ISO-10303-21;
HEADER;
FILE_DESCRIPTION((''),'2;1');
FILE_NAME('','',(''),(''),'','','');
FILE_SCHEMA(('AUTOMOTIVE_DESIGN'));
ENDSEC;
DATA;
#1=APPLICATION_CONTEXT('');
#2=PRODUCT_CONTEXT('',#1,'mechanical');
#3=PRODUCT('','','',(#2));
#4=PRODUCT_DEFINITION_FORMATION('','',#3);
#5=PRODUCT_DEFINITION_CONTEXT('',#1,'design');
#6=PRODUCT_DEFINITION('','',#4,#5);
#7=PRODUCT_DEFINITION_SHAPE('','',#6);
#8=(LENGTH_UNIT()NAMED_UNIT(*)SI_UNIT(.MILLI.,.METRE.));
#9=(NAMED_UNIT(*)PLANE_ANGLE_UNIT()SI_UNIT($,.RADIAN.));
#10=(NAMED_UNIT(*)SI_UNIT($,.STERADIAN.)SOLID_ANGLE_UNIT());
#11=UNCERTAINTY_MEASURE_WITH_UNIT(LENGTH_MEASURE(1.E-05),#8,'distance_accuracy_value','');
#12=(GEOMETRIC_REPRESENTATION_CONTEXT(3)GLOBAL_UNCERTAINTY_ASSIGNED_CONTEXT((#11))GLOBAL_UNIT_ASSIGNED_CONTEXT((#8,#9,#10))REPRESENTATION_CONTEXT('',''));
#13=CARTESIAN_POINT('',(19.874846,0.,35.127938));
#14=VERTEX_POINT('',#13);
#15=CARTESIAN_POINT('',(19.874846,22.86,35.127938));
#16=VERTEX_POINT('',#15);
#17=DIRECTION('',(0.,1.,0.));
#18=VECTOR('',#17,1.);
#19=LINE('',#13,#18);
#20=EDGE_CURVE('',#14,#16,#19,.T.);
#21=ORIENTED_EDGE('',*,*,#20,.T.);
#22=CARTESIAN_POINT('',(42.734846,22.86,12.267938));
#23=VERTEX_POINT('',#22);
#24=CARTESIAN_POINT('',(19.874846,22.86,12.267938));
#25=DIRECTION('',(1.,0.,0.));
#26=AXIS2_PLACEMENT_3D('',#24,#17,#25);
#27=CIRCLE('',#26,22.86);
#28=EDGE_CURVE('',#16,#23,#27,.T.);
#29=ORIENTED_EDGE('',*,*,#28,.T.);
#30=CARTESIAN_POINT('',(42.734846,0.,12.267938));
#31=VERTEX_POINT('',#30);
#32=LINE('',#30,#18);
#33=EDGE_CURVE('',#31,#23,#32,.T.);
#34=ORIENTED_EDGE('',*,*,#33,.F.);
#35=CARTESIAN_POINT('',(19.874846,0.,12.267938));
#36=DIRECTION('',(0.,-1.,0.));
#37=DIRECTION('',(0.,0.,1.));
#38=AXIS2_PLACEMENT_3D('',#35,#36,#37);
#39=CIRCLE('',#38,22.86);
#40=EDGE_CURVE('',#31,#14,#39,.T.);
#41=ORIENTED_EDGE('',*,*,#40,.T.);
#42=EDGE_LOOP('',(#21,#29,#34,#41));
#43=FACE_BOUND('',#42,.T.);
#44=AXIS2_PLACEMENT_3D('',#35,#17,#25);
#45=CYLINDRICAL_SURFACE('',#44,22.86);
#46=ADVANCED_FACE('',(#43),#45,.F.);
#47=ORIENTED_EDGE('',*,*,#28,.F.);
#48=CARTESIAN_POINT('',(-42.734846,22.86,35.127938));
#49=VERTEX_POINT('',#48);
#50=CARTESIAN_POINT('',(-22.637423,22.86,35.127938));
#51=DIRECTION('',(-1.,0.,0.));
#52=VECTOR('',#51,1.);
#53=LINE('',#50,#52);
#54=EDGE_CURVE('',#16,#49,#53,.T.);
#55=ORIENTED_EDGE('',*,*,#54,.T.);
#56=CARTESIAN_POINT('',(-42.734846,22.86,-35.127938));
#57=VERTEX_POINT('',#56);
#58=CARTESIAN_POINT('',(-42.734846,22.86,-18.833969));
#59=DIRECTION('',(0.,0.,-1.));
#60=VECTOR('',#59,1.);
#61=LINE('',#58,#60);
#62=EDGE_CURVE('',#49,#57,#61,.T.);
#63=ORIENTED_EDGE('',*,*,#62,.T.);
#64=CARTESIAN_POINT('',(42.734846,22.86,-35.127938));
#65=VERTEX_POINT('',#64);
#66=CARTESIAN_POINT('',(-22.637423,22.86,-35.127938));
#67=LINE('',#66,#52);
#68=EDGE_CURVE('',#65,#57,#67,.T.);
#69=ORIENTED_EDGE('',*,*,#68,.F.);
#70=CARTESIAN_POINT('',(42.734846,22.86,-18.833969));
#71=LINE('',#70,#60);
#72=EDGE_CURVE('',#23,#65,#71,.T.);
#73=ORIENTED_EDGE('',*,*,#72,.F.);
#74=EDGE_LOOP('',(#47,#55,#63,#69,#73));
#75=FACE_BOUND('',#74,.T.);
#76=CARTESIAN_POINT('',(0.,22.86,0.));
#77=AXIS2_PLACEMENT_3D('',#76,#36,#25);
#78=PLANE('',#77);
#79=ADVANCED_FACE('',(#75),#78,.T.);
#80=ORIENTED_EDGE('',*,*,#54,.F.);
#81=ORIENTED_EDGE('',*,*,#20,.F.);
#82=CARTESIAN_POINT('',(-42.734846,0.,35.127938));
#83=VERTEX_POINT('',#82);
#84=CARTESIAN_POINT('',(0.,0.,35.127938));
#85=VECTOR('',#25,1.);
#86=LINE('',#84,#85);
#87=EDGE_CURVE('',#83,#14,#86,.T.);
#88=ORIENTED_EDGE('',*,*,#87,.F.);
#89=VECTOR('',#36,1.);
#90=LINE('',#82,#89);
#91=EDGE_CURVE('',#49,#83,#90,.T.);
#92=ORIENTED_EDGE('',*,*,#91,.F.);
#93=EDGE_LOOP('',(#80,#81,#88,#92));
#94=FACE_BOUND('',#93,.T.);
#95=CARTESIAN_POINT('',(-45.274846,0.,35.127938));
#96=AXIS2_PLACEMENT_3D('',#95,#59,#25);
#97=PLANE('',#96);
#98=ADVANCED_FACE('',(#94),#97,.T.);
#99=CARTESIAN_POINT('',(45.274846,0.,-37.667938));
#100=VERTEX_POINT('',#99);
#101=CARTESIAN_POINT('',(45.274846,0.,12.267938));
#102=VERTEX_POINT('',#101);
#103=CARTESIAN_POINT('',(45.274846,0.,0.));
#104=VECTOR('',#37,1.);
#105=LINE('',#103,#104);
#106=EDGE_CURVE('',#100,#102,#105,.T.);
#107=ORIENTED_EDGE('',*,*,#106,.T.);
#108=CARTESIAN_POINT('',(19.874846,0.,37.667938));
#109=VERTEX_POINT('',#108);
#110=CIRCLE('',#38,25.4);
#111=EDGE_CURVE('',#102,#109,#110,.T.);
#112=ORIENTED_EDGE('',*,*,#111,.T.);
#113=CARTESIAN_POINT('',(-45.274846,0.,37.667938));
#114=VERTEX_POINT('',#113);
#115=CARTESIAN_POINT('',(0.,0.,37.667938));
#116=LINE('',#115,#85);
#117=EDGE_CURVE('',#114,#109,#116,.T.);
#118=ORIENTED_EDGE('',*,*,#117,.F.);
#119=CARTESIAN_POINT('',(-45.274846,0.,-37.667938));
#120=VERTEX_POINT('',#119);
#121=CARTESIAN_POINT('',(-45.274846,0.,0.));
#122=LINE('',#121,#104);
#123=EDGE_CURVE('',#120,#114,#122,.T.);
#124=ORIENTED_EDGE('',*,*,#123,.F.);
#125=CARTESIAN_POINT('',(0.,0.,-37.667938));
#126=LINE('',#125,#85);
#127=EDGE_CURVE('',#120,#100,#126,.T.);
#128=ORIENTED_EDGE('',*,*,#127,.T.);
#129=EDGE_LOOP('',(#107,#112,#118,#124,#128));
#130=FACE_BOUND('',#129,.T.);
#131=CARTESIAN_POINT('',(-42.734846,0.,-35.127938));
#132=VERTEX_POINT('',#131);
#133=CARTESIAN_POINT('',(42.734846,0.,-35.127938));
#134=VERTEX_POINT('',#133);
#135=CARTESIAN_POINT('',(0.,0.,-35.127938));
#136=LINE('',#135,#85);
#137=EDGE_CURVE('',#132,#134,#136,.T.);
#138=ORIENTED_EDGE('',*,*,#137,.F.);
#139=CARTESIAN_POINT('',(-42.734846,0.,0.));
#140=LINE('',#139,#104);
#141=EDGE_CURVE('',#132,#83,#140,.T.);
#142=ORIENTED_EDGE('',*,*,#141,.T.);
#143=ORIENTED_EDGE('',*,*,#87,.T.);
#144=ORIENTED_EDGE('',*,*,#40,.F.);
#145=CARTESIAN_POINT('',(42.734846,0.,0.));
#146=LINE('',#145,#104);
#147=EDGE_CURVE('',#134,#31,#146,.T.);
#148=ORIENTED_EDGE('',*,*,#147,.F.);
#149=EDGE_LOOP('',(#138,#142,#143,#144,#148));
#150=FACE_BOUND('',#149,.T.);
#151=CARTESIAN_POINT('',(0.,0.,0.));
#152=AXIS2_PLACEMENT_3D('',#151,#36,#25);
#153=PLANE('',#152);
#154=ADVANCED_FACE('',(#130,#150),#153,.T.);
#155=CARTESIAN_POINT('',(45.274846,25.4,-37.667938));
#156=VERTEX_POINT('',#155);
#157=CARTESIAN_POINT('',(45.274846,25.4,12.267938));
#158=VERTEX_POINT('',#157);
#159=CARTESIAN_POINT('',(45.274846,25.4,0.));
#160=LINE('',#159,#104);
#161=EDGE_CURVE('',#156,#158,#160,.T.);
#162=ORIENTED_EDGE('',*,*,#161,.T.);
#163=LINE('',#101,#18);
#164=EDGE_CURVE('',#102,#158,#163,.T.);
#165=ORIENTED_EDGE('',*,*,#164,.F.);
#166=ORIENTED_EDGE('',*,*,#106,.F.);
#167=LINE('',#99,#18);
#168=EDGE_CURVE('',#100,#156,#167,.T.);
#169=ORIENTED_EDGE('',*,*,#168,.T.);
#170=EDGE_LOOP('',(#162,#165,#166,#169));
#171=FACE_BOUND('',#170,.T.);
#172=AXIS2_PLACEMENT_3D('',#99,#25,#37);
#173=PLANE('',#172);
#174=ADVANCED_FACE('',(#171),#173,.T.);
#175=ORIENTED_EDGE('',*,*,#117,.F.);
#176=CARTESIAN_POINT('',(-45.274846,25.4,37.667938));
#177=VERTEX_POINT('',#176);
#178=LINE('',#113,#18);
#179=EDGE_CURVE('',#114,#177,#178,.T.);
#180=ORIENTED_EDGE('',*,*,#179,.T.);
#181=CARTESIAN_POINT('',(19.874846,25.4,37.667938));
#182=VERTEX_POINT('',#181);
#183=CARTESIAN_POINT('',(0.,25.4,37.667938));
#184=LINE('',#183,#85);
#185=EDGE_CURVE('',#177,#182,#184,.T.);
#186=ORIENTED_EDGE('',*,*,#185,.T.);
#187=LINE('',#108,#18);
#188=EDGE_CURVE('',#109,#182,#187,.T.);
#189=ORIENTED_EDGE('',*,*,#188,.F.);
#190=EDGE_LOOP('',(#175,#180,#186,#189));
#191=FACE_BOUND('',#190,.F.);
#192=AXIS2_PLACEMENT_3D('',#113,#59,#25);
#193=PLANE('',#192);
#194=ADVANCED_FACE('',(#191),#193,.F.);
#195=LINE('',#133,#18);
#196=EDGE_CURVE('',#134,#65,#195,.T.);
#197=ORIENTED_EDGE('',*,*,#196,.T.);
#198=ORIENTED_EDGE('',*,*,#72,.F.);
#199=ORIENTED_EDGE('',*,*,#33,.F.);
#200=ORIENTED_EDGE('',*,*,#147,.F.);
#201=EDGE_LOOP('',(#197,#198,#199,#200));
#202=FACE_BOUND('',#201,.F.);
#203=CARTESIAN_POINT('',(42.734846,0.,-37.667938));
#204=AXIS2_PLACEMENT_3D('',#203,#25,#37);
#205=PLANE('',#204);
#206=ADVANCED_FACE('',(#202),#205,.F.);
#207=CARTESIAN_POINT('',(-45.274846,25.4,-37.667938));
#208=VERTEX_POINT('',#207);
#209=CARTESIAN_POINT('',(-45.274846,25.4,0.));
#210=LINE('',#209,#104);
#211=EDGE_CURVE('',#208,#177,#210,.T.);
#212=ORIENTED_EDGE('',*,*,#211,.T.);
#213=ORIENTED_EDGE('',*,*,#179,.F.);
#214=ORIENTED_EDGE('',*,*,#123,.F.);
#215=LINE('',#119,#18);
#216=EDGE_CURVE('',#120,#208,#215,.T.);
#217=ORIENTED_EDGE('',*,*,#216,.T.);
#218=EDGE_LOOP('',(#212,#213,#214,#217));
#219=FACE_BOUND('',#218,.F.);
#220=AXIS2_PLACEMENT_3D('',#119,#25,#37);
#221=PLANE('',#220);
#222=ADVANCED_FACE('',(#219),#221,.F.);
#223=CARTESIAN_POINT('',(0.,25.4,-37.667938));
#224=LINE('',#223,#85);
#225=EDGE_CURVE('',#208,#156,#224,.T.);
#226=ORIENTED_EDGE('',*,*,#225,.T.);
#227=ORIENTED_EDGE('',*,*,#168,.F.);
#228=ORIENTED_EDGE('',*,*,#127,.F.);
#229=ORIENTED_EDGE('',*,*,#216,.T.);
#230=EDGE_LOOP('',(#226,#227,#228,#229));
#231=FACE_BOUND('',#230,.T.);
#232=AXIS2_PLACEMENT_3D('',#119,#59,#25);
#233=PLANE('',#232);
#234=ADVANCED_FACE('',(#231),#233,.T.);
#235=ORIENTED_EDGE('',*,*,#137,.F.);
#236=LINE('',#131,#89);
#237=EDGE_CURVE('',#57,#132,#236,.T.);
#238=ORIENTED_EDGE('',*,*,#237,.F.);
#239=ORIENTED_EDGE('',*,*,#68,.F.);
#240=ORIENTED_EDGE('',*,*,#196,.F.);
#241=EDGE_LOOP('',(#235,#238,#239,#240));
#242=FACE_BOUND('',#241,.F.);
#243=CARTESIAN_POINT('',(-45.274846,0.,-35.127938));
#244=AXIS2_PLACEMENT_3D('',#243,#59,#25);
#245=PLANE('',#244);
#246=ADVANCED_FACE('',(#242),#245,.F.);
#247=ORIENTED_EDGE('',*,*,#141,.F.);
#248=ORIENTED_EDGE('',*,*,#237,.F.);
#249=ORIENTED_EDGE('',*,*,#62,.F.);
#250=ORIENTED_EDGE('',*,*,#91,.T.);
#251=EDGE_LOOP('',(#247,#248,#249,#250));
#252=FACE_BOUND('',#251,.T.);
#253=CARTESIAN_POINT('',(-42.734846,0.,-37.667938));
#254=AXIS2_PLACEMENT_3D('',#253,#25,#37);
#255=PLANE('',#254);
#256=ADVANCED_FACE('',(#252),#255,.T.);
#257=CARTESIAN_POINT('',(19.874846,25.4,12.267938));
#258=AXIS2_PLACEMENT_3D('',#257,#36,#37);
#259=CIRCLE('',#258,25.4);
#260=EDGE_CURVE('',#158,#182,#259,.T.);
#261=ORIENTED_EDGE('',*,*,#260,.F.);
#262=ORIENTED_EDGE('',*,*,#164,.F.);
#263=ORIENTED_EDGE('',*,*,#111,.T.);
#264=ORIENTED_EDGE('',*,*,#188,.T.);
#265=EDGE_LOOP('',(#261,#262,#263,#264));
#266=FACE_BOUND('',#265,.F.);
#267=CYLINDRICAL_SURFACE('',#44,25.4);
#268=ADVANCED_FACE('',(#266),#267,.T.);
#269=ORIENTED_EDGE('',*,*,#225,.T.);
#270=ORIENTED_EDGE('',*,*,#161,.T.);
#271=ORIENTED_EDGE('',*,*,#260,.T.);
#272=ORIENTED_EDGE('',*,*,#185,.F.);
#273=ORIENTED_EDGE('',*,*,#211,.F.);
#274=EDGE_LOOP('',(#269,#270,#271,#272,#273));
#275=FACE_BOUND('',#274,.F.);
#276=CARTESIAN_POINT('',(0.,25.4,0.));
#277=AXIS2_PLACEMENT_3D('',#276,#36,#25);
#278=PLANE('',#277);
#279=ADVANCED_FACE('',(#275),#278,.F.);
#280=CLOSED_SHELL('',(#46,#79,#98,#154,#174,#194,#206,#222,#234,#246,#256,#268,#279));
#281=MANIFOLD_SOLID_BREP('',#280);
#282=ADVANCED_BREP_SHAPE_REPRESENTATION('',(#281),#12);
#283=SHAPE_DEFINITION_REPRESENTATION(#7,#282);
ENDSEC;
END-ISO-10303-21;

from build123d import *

# Parameters (mm, degrees)
F0_W     = 90.549692
F0_H     = 75.335876
F1_DEPTH = 25.4
F2_R     = 25.4
F3_T     = -2.54


with BuildPart() as f1:
    # F0 (on Front) → F1 (new body)
    with BuildSketch(Plane.XZ):
        Rectangle(F0_W, F0_H)
    extrude(amount=-F1_DEPTH)

    # F2
    f2_edges = [f1.edges().sort_by_distance(p)[0] for p in [
        (45.274846, 12.7, 37.667938),
    ]]
    fillet(f2_edges, radius=F2_R)

    # F3
    f3_openings = [f1.faces().sort_by_distance(p)[0] for p in [
        (-0.820402, 0, -0.662813),
    ]]
    offset(amount=F3_T, openings=f3_openings)


solid = f1.part
